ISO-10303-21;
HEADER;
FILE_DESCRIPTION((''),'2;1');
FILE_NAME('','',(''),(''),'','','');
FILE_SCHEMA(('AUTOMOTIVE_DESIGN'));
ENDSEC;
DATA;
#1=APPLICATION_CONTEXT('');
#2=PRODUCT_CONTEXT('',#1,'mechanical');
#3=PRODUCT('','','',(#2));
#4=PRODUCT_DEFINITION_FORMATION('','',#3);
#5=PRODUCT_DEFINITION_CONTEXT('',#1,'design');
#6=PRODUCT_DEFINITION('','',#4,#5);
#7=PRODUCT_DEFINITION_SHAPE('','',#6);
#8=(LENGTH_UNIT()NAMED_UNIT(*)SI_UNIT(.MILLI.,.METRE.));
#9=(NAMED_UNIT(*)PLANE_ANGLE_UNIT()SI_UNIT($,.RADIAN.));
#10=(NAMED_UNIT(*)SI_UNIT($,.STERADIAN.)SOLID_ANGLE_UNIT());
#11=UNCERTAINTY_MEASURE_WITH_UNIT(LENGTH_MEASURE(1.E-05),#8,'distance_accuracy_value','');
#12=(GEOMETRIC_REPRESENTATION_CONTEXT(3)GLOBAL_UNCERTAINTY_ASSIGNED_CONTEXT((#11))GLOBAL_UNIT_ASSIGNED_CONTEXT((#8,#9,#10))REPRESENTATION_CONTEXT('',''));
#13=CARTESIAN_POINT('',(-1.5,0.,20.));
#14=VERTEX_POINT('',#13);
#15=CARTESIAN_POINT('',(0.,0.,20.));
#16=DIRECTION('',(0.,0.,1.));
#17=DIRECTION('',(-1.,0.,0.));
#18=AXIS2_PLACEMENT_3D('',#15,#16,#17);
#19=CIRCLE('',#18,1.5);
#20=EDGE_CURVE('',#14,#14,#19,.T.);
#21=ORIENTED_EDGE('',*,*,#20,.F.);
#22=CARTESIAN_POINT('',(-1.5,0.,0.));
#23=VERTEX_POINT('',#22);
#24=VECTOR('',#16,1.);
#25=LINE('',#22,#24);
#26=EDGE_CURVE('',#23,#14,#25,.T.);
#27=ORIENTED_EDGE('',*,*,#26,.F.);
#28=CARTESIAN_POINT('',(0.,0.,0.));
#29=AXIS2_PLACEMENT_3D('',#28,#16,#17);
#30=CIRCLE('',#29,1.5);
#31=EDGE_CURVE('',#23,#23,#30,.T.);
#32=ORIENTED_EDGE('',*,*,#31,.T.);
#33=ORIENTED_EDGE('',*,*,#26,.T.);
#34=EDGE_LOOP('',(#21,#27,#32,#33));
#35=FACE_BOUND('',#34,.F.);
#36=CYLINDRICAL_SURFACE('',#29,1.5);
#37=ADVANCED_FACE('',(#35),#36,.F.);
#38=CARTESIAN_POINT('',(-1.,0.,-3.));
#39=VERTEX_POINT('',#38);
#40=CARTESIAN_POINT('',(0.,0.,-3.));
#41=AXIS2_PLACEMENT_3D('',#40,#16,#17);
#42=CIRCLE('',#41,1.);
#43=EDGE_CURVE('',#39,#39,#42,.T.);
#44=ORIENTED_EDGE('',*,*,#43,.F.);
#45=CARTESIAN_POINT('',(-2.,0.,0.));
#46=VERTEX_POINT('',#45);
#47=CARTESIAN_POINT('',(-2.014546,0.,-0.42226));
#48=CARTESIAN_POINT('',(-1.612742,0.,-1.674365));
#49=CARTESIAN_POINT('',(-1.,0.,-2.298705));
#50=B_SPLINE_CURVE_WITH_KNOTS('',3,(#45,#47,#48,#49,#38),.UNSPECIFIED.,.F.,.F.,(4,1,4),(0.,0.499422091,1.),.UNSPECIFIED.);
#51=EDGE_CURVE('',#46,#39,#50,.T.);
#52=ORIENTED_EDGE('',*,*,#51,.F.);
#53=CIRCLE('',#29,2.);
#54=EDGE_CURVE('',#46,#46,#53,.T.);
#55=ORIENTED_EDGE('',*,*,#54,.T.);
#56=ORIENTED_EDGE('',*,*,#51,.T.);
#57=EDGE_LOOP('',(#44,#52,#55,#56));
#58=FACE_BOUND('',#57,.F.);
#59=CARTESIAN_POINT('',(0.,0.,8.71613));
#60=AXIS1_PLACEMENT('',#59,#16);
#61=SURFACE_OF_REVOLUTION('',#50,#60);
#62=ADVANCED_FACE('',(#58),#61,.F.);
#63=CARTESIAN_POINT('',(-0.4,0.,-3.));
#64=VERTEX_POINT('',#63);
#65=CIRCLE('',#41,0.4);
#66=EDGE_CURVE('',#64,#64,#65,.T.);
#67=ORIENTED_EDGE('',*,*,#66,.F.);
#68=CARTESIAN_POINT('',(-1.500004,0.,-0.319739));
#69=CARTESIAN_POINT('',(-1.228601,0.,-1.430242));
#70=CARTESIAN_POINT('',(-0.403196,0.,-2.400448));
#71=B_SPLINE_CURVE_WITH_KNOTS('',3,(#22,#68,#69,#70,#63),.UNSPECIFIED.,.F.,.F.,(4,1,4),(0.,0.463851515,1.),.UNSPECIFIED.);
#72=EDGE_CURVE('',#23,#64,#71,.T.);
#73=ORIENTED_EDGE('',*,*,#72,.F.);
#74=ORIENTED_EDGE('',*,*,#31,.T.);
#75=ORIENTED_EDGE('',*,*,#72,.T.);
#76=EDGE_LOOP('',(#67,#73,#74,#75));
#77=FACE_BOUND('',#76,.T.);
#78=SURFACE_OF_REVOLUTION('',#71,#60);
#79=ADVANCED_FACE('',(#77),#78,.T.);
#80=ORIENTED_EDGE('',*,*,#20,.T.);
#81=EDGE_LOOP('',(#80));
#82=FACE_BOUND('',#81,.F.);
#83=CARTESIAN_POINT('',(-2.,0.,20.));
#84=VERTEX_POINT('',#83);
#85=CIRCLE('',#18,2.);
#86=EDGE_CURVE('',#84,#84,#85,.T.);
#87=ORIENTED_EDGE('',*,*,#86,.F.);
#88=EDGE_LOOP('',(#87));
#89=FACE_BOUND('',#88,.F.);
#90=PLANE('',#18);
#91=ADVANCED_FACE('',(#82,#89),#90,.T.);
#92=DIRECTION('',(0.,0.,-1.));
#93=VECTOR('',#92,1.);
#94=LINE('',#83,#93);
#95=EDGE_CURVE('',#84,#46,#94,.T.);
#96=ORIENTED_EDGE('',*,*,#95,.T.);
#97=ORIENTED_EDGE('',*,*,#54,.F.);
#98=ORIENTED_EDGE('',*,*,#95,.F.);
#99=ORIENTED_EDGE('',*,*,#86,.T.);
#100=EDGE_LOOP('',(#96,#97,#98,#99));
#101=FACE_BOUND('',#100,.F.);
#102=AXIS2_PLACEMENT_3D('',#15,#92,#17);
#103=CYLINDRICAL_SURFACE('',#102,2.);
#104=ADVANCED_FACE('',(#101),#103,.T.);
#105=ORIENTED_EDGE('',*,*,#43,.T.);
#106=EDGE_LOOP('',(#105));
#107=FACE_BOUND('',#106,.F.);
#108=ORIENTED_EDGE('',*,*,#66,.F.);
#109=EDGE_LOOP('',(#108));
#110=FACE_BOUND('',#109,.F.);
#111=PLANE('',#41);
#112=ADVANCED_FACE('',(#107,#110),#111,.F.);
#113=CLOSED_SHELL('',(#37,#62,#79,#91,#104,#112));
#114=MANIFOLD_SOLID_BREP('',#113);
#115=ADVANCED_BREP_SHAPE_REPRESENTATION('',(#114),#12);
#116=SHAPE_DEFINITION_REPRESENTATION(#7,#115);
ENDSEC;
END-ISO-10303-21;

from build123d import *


with BuildPart() as f1:
    # F0 (on Front) → F1 (revolve)
    with BuildSketch(Plane.XZ):
        with BuildLine():
            Line((-1.5, 0), (-1.5, 20))
            Line((-1.5, 20), (-2, 20))
            Line((-2, 20), (-2, 0))
            add(Edge.make_bspline(
                [(-2, 0), (-2.0145455834, -0.422259599), (-1.6127421637, -1.6743650931), (-1, -2.2987052586), (-1, -3)],
                knots=[0, 0, 0, 0, 0.4994220909, 1, 1, 1, 1], degree=3))
            Line((-1, -3), (-0.4, -3))
            add(Edge.make_bspline(
                [(-1.5, 0), (-1.5000039712, -0.319739338), (-1.2286014125, -1.4302417864), (-0.4031962599, -2.400448313), (-0.4, -3)],
                knots=[0, 0, 0, 0, 0.4638515152, 1, 1, 1, 1], degree=3))
        make_face()
    revolve(axis=Axis((0, 0, 8.7161303964), (0, 0, 1)))


solid = f1.part
